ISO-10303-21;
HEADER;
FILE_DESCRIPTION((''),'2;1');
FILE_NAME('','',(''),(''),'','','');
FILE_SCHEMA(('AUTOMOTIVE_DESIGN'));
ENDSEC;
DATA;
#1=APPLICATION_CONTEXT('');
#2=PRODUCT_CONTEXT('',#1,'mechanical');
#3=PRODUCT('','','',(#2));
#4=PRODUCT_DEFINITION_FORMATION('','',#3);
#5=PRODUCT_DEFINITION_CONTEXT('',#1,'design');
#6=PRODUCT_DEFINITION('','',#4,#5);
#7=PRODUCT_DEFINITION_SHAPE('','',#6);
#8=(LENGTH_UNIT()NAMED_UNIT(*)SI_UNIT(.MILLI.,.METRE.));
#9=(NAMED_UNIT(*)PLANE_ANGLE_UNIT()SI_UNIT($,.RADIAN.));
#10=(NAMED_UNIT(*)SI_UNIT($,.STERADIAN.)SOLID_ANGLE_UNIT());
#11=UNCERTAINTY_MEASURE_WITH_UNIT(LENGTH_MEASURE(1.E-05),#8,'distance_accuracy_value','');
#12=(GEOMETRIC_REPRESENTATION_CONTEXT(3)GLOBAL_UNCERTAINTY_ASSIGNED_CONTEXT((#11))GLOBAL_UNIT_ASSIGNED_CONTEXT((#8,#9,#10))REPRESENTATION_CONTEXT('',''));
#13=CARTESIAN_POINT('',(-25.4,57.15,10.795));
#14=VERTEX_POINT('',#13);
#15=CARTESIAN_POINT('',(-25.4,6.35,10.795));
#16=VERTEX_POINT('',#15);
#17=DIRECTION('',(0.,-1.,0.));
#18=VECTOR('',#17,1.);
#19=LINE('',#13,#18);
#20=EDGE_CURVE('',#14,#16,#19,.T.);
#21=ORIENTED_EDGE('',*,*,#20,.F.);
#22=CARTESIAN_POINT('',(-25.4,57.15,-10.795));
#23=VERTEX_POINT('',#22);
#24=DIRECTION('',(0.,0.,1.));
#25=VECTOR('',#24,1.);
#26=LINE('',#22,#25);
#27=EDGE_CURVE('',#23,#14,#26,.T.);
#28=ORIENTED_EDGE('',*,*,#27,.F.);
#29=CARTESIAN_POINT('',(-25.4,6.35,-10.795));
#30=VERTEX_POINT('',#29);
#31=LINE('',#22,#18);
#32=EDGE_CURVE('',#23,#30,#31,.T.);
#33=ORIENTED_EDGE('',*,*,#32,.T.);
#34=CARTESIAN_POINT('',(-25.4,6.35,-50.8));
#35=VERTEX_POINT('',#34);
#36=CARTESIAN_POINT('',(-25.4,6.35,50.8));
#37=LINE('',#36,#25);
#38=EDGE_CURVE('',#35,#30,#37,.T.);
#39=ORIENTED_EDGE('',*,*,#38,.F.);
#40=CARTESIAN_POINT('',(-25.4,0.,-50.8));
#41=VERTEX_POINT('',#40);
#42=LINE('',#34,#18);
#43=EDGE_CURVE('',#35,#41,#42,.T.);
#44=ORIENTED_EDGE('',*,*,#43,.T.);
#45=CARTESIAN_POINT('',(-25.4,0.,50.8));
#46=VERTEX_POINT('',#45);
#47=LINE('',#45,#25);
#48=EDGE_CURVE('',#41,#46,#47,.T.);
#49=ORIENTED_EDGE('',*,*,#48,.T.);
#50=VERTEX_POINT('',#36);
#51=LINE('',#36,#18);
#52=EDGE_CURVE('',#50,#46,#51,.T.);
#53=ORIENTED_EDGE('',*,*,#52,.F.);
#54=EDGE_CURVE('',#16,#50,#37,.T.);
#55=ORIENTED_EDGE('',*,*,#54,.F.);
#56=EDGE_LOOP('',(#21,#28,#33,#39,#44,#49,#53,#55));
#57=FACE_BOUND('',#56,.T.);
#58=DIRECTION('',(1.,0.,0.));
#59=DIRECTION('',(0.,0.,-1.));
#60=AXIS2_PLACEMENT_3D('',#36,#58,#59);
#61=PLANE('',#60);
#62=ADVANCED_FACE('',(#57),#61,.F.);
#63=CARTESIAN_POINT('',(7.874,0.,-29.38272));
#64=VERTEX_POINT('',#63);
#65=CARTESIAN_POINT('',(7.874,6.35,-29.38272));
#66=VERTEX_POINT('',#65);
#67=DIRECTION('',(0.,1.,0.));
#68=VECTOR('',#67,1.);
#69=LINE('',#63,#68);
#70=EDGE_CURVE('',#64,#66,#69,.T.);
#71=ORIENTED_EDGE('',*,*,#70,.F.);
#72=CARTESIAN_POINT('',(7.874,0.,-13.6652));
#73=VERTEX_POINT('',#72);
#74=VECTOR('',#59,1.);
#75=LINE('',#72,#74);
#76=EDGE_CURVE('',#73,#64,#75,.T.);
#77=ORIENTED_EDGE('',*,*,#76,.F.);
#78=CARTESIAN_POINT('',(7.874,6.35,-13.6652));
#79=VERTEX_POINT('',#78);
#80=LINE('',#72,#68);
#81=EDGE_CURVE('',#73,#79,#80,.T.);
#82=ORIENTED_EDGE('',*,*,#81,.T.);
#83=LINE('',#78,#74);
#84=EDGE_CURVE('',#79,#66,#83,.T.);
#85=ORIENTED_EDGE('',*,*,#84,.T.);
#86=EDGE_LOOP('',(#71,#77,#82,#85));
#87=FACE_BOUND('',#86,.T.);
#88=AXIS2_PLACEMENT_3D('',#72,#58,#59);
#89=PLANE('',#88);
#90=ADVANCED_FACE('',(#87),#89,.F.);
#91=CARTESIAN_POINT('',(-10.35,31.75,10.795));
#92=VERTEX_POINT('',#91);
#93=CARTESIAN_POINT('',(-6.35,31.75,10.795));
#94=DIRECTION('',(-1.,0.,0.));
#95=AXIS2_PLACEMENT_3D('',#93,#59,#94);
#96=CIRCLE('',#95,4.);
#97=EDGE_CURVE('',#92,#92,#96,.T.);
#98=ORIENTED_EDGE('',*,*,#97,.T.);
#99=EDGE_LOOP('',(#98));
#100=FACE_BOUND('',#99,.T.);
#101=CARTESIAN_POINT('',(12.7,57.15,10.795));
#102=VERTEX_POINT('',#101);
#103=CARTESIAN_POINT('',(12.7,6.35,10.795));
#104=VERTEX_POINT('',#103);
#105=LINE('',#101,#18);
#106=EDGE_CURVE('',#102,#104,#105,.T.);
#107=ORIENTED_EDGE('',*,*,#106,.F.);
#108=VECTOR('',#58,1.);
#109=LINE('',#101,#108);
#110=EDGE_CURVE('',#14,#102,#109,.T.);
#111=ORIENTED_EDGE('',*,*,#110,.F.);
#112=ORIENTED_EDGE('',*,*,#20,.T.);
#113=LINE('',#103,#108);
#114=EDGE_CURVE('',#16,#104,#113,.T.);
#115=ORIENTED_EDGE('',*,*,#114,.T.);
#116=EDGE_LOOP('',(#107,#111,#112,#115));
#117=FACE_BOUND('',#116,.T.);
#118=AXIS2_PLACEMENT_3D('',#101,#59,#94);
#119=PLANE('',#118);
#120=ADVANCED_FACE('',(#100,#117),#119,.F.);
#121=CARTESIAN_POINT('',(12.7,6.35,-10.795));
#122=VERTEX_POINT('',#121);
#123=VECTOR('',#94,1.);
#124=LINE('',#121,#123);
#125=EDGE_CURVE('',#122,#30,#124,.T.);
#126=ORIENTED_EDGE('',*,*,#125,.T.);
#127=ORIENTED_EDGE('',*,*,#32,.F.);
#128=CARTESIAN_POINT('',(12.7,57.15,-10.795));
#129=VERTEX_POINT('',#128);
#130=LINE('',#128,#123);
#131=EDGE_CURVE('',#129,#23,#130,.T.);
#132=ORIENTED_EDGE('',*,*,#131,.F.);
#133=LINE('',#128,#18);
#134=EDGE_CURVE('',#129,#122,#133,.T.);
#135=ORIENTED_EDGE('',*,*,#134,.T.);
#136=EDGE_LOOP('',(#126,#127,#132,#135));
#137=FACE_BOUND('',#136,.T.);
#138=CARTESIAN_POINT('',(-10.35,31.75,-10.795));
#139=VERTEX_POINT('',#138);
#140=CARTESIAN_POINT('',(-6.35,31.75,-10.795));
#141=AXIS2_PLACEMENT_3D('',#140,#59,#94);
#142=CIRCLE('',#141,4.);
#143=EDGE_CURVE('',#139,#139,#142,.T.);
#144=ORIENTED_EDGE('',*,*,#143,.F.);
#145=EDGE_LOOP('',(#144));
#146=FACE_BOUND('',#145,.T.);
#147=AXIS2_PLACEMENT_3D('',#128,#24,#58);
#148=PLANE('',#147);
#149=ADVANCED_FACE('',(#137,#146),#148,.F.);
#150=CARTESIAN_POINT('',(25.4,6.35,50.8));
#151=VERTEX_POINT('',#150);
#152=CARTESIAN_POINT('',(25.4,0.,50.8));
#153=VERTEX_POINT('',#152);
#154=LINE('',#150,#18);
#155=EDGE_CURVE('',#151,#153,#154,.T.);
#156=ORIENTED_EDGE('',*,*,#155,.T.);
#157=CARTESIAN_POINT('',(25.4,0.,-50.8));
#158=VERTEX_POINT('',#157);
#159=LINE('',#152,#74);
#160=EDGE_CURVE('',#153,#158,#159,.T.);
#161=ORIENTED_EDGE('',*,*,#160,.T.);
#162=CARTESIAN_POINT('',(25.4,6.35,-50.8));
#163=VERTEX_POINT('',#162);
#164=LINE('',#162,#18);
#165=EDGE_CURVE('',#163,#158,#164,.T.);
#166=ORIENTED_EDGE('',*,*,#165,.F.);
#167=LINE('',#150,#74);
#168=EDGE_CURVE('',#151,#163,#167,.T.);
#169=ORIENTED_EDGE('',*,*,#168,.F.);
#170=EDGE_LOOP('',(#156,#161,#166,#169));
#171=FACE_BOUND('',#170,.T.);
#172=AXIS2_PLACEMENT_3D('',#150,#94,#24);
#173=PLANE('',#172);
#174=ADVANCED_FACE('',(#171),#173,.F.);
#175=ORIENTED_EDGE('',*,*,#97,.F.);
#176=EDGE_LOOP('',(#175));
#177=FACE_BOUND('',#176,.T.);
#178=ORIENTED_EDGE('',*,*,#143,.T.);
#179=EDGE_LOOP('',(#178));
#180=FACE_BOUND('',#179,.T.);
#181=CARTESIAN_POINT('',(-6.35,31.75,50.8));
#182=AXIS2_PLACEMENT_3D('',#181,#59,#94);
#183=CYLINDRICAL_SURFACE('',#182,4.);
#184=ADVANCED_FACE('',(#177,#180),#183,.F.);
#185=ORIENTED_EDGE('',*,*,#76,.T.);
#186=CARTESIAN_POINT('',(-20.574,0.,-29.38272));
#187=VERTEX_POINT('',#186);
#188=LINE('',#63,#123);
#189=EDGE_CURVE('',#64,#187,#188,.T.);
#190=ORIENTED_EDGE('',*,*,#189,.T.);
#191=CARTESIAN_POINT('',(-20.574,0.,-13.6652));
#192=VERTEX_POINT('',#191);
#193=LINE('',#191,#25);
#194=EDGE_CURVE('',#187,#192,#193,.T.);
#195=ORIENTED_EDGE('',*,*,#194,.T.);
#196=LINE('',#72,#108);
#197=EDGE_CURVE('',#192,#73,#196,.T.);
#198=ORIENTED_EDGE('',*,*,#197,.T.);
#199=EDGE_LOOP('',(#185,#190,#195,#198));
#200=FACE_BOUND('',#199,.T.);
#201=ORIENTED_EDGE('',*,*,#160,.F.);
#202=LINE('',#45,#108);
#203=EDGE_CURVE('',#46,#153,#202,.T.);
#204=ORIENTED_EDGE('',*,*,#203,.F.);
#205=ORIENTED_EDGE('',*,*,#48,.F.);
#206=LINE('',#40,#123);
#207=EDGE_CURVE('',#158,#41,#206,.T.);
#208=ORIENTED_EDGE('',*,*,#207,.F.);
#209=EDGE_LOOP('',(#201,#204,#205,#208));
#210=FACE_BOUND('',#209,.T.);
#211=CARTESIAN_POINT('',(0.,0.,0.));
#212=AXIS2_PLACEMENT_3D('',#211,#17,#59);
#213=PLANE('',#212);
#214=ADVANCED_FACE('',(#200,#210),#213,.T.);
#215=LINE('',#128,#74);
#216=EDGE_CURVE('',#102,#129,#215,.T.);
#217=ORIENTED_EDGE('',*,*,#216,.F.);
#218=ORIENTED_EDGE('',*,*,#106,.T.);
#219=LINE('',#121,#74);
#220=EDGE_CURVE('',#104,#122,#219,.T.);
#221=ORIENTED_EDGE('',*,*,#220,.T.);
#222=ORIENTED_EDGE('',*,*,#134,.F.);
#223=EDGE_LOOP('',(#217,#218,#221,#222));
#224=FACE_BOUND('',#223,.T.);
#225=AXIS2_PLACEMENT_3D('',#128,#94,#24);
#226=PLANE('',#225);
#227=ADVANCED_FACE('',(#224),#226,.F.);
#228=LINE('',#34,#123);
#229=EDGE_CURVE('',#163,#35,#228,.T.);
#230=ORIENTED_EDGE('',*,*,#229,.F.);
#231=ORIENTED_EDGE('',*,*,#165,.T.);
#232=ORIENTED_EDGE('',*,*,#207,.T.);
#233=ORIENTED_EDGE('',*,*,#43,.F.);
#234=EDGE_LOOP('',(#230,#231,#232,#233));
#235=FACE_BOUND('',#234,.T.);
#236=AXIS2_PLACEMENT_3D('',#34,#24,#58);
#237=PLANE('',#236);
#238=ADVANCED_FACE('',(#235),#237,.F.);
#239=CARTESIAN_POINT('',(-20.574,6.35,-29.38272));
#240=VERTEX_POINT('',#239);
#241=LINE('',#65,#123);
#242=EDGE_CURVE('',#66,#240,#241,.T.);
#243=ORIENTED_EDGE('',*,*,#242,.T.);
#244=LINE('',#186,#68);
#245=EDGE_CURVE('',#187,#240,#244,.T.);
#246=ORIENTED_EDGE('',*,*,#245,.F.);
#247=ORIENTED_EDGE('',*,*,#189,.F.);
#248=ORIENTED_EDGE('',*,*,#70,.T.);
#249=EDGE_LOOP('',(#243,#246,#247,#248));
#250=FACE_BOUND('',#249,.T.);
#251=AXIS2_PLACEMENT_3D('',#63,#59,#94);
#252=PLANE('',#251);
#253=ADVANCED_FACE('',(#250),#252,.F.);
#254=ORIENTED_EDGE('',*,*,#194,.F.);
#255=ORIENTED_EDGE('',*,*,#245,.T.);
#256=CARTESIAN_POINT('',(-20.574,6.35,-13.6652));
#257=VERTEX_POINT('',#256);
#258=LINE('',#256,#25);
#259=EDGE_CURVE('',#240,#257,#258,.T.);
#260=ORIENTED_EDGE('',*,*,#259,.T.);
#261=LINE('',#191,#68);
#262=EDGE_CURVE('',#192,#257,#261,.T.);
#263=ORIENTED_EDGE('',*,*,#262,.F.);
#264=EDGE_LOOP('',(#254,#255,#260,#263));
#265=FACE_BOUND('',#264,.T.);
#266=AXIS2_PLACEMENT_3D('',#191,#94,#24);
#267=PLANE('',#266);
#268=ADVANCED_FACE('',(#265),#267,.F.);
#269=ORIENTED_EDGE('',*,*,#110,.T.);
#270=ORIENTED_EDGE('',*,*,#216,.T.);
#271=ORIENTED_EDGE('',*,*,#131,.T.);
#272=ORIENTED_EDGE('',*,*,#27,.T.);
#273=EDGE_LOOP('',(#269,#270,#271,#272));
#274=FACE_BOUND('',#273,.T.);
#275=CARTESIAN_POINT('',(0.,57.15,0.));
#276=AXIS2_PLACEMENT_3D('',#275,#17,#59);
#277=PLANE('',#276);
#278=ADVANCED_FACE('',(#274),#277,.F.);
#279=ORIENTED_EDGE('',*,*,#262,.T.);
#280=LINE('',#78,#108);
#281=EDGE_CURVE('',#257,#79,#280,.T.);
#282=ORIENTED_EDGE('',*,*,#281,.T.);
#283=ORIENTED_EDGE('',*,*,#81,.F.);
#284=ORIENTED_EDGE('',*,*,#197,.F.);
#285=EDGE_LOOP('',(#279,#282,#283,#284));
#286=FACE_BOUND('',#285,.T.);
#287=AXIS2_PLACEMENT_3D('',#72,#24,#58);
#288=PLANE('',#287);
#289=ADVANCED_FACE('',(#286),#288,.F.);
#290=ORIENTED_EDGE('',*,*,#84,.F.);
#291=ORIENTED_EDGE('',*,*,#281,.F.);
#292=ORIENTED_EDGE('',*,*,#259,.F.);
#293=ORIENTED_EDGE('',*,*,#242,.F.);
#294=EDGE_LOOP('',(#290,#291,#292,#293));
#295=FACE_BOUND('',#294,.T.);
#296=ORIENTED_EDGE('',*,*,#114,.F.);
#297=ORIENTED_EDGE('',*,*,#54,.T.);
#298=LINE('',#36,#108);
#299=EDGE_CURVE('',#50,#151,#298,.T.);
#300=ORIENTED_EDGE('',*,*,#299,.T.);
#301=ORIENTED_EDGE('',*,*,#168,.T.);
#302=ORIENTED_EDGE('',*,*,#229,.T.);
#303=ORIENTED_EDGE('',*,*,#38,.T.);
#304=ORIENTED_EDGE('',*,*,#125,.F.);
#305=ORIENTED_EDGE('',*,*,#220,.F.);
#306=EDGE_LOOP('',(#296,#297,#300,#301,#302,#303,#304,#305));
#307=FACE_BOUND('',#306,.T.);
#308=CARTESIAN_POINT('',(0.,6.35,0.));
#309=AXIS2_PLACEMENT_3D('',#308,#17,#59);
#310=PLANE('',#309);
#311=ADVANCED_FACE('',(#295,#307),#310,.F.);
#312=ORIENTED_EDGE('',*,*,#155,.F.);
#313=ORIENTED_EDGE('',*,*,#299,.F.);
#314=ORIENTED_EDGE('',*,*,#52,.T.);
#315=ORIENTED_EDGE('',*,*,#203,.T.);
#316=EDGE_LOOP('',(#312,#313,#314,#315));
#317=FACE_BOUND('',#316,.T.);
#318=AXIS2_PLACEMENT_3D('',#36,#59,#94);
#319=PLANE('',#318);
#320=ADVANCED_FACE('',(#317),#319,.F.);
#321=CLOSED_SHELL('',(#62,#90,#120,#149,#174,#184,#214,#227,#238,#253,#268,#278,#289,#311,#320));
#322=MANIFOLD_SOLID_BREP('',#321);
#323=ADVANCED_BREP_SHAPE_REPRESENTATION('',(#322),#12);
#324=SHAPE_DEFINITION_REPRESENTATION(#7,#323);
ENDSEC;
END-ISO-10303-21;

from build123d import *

# Parameters (mm, degrees)
SKETCH2_W           = 50.8
SKETCH2_H           = 101.6
BOSS_EXTRUDE1_DEPTH = 6.35
SKETCH4_W           = 38.1
SKETCH4_H           = 21.59
BOSS_EXTRUDE2_DEPTH = 50.8
SKETCH5_R           = 4
CUT_EXTRUDE1_DEPTH  = 88.779419712
SKETCH6_W           = 28.448
SKETCH6_H           = 15.71752
CUT_EXTRUDE2_DEPTH  = 77.2


with BuildPart() as part:
    # Sketch2 → Boss-Extrude1 (new body)
    with BuildSketch(Plane(origin=(0, 0, 0), x_dir=(1, 0, 0), z_dir=(0, 1, 0))):
        Rectangle(SKETCH2_W, SKETCH2_H)
    extrude(amount=BOSS_EXTRUDE1_DEPTH)

    # Sketch4 → Boss-Extrude2 (add)
    with BuildSketch(Plane(origin=(0, 6.35, 0), x_dir=(1, 0, 0), z_dir=(0, 1, 0))):
        with Locations((-6.35, 0)):
            Rectangle(SKETCH4_W, SKETCH4_H)
    extrude(amount=BOSS_EXTRUDE2_DEPTH)

    # Sketch5 → Cut-Extrude1 (cut, through all)
    with BuildSketch(Plane(origin=(0, 0, -10.795), x_dir=(-1, 0, 0), z_dir=(0, 0, -1))):
        with Locations((6.35, 31.75)):
            Circle(SKETCH5_R)
    extrude(amount=-CUT_EXTRUDE1_DEPTH, mode=Mode.SUBTRACT)

    # Sketch6 → Cut-Extrude2 (cut, through all)
    with BuildSketch(Plane(origin=(0, 6.35, 0), x_dir=(1, 0, 0), z_dir=(0, 1, 0))):
        with Locations((-6.35, 21.52396)):
            Rectangle(SKETCH6_W, SKETCH6_H)
    extrude(amount=-CUT_EXTRUDE2_DEPTH, mode=Mode.SUBTRACT)


solid = part.part
